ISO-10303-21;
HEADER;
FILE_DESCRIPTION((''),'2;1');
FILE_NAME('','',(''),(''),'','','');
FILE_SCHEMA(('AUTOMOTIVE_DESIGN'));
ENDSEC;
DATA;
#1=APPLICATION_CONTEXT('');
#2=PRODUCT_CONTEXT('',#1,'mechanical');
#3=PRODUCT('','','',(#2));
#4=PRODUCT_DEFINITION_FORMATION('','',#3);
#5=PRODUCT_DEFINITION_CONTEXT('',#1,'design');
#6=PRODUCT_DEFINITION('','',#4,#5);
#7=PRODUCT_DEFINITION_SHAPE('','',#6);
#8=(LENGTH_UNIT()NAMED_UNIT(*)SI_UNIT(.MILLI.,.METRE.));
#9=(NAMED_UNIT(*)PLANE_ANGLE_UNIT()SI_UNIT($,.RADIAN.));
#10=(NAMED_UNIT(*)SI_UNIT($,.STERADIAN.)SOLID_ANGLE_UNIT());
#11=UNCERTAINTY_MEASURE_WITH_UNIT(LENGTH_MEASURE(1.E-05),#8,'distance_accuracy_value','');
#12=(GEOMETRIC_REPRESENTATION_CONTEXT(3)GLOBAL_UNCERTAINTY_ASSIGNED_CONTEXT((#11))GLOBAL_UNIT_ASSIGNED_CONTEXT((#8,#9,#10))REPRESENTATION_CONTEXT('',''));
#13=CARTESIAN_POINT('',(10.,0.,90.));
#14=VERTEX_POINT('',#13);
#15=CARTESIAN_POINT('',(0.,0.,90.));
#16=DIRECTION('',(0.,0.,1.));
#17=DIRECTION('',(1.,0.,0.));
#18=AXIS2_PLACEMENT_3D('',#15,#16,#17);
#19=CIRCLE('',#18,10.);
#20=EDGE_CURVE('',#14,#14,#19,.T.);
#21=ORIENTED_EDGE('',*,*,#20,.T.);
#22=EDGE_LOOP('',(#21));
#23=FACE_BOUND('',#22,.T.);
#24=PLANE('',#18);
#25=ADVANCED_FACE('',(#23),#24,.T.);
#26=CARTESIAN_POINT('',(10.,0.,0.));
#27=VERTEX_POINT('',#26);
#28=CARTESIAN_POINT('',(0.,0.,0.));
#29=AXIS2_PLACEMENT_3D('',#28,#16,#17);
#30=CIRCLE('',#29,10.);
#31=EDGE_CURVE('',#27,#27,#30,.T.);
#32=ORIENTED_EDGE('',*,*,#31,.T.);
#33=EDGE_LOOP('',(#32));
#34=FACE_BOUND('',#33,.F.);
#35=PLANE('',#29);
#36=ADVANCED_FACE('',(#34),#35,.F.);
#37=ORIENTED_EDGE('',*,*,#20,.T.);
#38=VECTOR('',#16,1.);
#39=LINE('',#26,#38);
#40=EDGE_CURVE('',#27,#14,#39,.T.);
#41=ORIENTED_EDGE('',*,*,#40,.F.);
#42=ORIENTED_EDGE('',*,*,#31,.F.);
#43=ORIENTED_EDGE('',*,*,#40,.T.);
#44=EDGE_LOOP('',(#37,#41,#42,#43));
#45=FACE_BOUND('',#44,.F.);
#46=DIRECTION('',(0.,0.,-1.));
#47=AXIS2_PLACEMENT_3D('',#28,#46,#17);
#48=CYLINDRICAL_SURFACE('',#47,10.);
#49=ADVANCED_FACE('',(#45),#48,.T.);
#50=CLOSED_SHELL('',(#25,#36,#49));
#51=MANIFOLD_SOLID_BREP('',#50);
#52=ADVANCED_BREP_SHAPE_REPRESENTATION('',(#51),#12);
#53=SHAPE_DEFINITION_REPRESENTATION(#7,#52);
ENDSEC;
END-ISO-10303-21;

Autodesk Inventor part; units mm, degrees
ref_plane "YZ Plane" through (0, 0, 0) normal (1, 0, 0) x (0, 1, 0)
ref_plane "XZ Plane" through (0, 0, 0) normal (0, 1, 0) x (-1, 0, 0)
ref_plane "XY Plane" through (0, 0, 0) normal (0, 0, 1) x (1, 0, 0)
sketch "スケッチ1" plane through (0, 0, 0) normal (0, 0, 1) x (1, 0, 0)
  circle A0 centre (0, 0) radius 10
  dimension "d0" = 20
extrude "押し出し1" add sketch "スケッチ1" along normal blind 90
properties part number "GlueStick"
